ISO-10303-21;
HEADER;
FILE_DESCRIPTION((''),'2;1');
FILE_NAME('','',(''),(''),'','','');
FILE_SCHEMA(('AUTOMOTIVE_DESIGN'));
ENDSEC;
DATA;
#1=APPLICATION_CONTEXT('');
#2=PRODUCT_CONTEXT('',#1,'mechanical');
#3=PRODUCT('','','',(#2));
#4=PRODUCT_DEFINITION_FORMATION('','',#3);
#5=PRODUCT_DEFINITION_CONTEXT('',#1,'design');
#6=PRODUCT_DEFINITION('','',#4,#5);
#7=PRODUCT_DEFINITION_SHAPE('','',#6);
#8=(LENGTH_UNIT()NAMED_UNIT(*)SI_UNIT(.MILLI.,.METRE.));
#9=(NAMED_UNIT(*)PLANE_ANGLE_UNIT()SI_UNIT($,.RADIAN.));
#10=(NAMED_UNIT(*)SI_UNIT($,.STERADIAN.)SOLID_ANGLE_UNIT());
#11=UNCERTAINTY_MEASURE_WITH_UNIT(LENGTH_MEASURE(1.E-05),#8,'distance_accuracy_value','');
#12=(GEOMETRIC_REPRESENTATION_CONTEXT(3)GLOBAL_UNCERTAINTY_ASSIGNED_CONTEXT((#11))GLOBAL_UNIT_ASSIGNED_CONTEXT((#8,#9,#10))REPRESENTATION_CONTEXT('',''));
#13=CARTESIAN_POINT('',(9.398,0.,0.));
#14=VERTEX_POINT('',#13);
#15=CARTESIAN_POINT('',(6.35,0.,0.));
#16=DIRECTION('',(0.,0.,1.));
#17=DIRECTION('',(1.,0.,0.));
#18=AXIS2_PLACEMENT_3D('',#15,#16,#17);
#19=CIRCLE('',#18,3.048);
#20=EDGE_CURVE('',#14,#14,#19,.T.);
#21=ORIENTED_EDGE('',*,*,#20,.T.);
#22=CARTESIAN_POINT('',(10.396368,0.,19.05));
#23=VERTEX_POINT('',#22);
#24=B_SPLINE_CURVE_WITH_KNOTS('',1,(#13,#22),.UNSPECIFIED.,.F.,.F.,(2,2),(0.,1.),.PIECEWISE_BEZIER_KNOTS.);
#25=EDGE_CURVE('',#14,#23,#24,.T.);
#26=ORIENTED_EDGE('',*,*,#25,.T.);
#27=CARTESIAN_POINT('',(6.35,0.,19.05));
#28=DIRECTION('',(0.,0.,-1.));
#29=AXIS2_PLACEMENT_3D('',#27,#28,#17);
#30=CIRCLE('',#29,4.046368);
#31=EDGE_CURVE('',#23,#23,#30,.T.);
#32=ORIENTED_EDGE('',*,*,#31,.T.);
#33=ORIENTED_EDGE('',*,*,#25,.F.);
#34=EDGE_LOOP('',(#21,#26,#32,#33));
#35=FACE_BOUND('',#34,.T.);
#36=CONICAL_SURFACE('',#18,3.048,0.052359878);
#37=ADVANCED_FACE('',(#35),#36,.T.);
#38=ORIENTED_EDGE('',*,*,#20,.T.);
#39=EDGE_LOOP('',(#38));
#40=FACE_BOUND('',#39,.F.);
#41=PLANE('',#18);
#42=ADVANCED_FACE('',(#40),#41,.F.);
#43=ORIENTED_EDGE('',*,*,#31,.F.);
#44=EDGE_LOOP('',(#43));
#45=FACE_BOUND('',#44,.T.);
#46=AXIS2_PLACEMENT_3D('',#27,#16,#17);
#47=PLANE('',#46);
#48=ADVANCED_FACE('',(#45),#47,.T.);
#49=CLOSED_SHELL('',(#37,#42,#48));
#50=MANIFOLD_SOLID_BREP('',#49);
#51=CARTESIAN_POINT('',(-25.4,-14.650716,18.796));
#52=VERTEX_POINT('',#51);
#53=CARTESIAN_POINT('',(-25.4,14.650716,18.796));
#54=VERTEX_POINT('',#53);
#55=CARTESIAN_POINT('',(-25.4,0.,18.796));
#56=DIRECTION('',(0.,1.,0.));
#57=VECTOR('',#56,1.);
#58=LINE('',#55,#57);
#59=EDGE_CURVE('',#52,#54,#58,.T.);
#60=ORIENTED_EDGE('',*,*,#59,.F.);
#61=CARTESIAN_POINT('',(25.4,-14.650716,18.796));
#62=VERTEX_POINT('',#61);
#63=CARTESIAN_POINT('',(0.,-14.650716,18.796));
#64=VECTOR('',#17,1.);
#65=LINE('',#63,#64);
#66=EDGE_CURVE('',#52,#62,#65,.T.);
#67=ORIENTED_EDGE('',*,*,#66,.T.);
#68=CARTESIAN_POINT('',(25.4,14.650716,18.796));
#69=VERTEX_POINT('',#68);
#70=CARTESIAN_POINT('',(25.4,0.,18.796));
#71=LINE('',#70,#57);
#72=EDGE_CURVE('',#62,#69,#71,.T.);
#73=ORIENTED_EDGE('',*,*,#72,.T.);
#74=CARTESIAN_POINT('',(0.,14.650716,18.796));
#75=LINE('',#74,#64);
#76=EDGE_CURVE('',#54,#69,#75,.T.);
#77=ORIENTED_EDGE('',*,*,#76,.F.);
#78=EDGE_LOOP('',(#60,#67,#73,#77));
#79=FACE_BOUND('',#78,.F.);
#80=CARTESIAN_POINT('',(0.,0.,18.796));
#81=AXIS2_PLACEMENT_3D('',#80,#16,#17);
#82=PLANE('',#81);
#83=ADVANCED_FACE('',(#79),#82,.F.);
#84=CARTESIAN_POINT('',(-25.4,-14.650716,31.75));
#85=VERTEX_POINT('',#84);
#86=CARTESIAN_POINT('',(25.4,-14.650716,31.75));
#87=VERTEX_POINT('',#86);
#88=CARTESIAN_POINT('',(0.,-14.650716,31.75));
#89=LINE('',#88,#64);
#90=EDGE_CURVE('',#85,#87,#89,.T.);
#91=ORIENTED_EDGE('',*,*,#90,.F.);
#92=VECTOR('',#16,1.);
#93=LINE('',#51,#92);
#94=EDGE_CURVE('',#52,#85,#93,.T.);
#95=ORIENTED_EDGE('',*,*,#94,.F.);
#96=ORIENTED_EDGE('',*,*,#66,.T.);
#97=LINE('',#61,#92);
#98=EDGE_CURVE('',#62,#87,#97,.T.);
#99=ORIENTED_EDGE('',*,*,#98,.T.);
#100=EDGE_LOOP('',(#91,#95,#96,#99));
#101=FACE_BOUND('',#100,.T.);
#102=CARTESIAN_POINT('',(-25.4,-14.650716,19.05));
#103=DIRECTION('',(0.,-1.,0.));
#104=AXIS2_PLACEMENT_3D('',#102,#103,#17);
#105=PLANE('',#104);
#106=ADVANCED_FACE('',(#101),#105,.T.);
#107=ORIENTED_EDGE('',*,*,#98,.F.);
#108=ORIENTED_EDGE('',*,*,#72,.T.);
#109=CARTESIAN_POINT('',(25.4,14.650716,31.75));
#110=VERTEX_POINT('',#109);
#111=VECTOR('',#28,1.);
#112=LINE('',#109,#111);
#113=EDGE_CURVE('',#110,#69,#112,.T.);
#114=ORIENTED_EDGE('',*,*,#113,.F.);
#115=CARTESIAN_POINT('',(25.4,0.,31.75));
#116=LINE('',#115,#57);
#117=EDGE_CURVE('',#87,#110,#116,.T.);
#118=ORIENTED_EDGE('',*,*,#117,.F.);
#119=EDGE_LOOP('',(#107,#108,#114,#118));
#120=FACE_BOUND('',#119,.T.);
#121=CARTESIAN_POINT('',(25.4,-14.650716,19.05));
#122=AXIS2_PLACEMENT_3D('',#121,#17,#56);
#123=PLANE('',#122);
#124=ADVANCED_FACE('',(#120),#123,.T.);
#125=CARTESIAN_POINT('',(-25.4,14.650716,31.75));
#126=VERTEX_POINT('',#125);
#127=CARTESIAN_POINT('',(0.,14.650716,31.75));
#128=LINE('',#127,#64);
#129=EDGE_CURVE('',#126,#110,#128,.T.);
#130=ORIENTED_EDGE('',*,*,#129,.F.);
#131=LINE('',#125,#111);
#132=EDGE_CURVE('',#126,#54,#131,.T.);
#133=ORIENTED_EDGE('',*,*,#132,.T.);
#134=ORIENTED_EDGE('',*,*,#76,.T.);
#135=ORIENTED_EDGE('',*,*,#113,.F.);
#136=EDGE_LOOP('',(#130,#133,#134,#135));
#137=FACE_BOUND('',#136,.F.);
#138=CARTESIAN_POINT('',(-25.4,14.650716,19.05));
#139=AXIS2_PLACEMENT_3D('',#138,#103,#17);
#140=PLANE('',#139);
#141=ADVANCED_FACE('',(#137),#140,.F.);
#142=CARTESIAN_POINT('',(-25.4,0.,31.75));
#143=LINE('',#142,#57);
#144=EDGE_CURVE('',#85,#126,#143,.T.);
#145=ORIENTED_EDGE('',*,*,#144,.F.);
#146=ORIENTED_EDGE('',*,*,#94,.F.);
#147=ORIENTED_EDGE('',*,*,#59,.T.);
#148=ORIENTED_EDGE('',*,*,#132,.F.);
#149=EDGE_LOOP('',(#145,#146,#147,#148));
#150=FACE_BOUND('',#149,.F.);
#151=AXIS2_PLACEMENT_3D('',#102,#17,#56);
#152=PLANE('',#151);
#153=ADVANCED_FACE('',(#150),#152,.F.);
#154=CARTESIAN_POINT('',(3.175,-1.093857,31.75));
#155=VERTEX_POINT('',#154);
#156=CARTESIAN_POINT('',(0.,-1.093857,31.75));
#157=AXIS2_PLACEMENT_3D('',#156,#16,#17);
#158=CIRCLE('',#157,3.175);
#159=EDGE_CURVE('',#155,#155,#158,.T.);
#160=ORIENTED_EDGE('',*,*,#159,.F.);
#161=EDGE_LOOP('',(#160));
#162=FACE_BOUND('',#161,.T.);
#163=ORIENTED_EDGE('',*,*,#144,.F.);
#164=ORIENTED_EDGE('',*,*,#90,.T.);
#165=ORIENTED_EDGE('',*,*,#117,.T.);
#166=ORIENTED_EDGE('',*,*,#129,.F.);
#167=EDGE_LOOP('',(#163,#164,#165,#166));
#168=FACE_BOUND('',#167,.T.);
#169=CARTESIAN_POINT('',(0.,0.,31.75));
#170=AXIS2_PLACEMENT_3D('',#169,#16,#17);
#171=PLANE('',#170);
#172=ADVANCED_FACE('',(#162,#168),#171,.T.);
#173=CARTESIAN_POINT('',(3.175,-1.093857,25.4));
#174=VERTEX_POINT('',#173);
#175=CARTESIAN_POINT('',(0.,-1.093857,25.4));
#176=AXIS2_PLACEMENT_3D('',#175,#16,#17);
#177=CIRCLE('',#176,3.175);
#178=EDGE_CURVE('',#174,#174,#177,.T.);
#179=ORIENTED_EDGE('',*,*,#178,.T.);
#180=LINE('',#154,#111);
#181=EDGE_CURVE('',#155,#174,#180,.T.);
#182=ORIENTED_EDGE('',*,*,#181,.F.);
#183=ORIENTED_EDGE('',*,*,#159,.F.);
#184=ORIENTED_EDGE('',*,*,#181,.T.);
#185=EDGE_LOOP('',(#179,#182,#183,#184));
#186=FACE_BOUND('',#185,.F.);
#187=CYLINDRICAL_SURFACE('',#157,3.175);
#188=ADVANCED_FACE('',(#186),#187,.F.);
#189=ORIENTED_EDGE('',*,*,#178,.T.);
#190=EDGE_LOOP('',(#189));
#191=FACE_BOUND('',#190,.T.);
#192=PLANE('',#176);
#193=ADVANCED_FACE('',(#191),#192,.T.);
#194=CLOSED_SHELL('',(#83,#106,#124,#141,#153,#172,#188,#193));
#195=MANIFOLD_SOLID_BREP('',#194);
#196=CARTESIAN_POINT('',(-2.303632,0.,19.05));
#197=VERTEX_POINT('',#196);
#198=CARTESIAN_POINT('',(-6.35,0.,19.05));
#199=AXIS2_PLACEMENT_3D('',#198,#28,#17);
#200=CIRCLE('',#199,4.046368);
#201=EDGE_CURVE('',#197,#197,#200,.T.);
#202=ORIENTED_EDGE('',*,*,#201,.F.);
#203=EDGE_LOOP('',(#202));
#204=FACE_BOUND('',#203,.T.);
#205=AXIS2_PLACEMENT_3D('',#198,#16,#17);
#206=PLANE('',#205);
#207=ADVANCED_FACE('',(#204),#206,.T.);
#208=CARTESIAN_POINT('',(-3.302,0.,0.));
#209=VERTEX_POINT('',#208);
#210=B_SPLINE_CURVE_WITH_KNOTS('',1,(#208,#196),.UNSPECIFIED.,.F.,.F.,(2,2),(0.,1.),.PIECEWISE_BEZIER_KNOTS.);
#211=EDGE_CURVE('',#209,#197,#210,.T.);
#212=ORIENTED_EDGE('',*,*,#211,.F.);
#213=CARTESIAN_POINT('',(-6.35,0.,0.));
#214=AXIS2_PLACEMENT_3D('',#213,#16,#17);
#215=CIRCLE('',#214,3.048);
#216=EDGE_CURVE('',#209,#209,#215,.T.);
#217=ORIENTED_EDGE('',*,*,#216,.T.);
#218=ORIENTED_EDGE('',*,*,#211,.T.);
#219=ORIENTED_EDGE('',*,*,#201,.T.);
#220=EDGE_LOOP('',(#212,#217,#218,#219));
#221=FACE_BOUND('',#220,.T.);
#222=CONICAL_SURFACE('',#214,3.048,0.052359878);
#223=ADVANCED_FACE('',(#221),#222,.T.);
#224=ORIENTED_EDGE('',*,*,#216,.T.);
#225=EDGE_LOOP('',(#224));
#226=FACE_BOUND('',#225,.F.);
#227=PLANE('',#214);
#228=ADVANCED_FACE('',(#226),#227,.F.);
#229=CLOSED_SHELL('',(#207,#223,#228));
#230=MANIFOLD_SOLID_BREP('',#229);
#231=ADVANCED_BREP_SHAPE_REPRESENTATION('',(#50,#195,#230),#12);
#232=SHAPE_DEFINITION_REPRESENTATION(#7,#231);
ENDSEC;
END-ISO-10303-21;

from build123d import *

# Parameters (mm, degrees)
F0_R          = 3.048
F1_DEPTH      = 19.05
F1_TAPER      = -3
F2_W          = 50.8
F2_H          = 29.3014320238
F3_DEPTH      = 12.7
F3_DEPTH_BACK = 0.254
F4_R          = 3.175
F5_DEPTH      = 6.35


with BuildPart() as f1:
    # F0 (on Top) → F1 (new body)
    with BuildSketch(Plane.XY):
        with Locations((6.35, 0)):
            Circle(F0_R)
    extrude(amount=F1_DEPTH, taper=F1_TAPER)


with BuildPart() as f1b:
    # F0 (on Top) → F1, piece 2 (new body)
    with BuildSketch(Plane.XY):
        with Locations((-6.35, 0)):
            Circle(F0_R)
    extrude(amount=F1_DEPTH, taper=F1_TAPER)


with BuildPart() as f3:
    # F2 (on face) → F3 (new body, two sides)
    with BuildSketch(Plane.XY.offset(19.05)) as f3_sk:
        Rectangle(F2_W, F2_H)
    extrude(amount=F3_DEPTH)
    extrude(f3_sk.sketch, amount=-F3_DEPTH_BACK)

    # F4 (on face) → F5 (cut)
    with BuildSketch(Plane.XY.offset(31.75)):
        with Locations((0, -1.0938570779)):
            Circle(F4_R)
    extrude(amount=-F5_DEPTH, mode=Mode.SUBTRACT)


solid = Compound([f1.part, f1b.part, f3.part])
